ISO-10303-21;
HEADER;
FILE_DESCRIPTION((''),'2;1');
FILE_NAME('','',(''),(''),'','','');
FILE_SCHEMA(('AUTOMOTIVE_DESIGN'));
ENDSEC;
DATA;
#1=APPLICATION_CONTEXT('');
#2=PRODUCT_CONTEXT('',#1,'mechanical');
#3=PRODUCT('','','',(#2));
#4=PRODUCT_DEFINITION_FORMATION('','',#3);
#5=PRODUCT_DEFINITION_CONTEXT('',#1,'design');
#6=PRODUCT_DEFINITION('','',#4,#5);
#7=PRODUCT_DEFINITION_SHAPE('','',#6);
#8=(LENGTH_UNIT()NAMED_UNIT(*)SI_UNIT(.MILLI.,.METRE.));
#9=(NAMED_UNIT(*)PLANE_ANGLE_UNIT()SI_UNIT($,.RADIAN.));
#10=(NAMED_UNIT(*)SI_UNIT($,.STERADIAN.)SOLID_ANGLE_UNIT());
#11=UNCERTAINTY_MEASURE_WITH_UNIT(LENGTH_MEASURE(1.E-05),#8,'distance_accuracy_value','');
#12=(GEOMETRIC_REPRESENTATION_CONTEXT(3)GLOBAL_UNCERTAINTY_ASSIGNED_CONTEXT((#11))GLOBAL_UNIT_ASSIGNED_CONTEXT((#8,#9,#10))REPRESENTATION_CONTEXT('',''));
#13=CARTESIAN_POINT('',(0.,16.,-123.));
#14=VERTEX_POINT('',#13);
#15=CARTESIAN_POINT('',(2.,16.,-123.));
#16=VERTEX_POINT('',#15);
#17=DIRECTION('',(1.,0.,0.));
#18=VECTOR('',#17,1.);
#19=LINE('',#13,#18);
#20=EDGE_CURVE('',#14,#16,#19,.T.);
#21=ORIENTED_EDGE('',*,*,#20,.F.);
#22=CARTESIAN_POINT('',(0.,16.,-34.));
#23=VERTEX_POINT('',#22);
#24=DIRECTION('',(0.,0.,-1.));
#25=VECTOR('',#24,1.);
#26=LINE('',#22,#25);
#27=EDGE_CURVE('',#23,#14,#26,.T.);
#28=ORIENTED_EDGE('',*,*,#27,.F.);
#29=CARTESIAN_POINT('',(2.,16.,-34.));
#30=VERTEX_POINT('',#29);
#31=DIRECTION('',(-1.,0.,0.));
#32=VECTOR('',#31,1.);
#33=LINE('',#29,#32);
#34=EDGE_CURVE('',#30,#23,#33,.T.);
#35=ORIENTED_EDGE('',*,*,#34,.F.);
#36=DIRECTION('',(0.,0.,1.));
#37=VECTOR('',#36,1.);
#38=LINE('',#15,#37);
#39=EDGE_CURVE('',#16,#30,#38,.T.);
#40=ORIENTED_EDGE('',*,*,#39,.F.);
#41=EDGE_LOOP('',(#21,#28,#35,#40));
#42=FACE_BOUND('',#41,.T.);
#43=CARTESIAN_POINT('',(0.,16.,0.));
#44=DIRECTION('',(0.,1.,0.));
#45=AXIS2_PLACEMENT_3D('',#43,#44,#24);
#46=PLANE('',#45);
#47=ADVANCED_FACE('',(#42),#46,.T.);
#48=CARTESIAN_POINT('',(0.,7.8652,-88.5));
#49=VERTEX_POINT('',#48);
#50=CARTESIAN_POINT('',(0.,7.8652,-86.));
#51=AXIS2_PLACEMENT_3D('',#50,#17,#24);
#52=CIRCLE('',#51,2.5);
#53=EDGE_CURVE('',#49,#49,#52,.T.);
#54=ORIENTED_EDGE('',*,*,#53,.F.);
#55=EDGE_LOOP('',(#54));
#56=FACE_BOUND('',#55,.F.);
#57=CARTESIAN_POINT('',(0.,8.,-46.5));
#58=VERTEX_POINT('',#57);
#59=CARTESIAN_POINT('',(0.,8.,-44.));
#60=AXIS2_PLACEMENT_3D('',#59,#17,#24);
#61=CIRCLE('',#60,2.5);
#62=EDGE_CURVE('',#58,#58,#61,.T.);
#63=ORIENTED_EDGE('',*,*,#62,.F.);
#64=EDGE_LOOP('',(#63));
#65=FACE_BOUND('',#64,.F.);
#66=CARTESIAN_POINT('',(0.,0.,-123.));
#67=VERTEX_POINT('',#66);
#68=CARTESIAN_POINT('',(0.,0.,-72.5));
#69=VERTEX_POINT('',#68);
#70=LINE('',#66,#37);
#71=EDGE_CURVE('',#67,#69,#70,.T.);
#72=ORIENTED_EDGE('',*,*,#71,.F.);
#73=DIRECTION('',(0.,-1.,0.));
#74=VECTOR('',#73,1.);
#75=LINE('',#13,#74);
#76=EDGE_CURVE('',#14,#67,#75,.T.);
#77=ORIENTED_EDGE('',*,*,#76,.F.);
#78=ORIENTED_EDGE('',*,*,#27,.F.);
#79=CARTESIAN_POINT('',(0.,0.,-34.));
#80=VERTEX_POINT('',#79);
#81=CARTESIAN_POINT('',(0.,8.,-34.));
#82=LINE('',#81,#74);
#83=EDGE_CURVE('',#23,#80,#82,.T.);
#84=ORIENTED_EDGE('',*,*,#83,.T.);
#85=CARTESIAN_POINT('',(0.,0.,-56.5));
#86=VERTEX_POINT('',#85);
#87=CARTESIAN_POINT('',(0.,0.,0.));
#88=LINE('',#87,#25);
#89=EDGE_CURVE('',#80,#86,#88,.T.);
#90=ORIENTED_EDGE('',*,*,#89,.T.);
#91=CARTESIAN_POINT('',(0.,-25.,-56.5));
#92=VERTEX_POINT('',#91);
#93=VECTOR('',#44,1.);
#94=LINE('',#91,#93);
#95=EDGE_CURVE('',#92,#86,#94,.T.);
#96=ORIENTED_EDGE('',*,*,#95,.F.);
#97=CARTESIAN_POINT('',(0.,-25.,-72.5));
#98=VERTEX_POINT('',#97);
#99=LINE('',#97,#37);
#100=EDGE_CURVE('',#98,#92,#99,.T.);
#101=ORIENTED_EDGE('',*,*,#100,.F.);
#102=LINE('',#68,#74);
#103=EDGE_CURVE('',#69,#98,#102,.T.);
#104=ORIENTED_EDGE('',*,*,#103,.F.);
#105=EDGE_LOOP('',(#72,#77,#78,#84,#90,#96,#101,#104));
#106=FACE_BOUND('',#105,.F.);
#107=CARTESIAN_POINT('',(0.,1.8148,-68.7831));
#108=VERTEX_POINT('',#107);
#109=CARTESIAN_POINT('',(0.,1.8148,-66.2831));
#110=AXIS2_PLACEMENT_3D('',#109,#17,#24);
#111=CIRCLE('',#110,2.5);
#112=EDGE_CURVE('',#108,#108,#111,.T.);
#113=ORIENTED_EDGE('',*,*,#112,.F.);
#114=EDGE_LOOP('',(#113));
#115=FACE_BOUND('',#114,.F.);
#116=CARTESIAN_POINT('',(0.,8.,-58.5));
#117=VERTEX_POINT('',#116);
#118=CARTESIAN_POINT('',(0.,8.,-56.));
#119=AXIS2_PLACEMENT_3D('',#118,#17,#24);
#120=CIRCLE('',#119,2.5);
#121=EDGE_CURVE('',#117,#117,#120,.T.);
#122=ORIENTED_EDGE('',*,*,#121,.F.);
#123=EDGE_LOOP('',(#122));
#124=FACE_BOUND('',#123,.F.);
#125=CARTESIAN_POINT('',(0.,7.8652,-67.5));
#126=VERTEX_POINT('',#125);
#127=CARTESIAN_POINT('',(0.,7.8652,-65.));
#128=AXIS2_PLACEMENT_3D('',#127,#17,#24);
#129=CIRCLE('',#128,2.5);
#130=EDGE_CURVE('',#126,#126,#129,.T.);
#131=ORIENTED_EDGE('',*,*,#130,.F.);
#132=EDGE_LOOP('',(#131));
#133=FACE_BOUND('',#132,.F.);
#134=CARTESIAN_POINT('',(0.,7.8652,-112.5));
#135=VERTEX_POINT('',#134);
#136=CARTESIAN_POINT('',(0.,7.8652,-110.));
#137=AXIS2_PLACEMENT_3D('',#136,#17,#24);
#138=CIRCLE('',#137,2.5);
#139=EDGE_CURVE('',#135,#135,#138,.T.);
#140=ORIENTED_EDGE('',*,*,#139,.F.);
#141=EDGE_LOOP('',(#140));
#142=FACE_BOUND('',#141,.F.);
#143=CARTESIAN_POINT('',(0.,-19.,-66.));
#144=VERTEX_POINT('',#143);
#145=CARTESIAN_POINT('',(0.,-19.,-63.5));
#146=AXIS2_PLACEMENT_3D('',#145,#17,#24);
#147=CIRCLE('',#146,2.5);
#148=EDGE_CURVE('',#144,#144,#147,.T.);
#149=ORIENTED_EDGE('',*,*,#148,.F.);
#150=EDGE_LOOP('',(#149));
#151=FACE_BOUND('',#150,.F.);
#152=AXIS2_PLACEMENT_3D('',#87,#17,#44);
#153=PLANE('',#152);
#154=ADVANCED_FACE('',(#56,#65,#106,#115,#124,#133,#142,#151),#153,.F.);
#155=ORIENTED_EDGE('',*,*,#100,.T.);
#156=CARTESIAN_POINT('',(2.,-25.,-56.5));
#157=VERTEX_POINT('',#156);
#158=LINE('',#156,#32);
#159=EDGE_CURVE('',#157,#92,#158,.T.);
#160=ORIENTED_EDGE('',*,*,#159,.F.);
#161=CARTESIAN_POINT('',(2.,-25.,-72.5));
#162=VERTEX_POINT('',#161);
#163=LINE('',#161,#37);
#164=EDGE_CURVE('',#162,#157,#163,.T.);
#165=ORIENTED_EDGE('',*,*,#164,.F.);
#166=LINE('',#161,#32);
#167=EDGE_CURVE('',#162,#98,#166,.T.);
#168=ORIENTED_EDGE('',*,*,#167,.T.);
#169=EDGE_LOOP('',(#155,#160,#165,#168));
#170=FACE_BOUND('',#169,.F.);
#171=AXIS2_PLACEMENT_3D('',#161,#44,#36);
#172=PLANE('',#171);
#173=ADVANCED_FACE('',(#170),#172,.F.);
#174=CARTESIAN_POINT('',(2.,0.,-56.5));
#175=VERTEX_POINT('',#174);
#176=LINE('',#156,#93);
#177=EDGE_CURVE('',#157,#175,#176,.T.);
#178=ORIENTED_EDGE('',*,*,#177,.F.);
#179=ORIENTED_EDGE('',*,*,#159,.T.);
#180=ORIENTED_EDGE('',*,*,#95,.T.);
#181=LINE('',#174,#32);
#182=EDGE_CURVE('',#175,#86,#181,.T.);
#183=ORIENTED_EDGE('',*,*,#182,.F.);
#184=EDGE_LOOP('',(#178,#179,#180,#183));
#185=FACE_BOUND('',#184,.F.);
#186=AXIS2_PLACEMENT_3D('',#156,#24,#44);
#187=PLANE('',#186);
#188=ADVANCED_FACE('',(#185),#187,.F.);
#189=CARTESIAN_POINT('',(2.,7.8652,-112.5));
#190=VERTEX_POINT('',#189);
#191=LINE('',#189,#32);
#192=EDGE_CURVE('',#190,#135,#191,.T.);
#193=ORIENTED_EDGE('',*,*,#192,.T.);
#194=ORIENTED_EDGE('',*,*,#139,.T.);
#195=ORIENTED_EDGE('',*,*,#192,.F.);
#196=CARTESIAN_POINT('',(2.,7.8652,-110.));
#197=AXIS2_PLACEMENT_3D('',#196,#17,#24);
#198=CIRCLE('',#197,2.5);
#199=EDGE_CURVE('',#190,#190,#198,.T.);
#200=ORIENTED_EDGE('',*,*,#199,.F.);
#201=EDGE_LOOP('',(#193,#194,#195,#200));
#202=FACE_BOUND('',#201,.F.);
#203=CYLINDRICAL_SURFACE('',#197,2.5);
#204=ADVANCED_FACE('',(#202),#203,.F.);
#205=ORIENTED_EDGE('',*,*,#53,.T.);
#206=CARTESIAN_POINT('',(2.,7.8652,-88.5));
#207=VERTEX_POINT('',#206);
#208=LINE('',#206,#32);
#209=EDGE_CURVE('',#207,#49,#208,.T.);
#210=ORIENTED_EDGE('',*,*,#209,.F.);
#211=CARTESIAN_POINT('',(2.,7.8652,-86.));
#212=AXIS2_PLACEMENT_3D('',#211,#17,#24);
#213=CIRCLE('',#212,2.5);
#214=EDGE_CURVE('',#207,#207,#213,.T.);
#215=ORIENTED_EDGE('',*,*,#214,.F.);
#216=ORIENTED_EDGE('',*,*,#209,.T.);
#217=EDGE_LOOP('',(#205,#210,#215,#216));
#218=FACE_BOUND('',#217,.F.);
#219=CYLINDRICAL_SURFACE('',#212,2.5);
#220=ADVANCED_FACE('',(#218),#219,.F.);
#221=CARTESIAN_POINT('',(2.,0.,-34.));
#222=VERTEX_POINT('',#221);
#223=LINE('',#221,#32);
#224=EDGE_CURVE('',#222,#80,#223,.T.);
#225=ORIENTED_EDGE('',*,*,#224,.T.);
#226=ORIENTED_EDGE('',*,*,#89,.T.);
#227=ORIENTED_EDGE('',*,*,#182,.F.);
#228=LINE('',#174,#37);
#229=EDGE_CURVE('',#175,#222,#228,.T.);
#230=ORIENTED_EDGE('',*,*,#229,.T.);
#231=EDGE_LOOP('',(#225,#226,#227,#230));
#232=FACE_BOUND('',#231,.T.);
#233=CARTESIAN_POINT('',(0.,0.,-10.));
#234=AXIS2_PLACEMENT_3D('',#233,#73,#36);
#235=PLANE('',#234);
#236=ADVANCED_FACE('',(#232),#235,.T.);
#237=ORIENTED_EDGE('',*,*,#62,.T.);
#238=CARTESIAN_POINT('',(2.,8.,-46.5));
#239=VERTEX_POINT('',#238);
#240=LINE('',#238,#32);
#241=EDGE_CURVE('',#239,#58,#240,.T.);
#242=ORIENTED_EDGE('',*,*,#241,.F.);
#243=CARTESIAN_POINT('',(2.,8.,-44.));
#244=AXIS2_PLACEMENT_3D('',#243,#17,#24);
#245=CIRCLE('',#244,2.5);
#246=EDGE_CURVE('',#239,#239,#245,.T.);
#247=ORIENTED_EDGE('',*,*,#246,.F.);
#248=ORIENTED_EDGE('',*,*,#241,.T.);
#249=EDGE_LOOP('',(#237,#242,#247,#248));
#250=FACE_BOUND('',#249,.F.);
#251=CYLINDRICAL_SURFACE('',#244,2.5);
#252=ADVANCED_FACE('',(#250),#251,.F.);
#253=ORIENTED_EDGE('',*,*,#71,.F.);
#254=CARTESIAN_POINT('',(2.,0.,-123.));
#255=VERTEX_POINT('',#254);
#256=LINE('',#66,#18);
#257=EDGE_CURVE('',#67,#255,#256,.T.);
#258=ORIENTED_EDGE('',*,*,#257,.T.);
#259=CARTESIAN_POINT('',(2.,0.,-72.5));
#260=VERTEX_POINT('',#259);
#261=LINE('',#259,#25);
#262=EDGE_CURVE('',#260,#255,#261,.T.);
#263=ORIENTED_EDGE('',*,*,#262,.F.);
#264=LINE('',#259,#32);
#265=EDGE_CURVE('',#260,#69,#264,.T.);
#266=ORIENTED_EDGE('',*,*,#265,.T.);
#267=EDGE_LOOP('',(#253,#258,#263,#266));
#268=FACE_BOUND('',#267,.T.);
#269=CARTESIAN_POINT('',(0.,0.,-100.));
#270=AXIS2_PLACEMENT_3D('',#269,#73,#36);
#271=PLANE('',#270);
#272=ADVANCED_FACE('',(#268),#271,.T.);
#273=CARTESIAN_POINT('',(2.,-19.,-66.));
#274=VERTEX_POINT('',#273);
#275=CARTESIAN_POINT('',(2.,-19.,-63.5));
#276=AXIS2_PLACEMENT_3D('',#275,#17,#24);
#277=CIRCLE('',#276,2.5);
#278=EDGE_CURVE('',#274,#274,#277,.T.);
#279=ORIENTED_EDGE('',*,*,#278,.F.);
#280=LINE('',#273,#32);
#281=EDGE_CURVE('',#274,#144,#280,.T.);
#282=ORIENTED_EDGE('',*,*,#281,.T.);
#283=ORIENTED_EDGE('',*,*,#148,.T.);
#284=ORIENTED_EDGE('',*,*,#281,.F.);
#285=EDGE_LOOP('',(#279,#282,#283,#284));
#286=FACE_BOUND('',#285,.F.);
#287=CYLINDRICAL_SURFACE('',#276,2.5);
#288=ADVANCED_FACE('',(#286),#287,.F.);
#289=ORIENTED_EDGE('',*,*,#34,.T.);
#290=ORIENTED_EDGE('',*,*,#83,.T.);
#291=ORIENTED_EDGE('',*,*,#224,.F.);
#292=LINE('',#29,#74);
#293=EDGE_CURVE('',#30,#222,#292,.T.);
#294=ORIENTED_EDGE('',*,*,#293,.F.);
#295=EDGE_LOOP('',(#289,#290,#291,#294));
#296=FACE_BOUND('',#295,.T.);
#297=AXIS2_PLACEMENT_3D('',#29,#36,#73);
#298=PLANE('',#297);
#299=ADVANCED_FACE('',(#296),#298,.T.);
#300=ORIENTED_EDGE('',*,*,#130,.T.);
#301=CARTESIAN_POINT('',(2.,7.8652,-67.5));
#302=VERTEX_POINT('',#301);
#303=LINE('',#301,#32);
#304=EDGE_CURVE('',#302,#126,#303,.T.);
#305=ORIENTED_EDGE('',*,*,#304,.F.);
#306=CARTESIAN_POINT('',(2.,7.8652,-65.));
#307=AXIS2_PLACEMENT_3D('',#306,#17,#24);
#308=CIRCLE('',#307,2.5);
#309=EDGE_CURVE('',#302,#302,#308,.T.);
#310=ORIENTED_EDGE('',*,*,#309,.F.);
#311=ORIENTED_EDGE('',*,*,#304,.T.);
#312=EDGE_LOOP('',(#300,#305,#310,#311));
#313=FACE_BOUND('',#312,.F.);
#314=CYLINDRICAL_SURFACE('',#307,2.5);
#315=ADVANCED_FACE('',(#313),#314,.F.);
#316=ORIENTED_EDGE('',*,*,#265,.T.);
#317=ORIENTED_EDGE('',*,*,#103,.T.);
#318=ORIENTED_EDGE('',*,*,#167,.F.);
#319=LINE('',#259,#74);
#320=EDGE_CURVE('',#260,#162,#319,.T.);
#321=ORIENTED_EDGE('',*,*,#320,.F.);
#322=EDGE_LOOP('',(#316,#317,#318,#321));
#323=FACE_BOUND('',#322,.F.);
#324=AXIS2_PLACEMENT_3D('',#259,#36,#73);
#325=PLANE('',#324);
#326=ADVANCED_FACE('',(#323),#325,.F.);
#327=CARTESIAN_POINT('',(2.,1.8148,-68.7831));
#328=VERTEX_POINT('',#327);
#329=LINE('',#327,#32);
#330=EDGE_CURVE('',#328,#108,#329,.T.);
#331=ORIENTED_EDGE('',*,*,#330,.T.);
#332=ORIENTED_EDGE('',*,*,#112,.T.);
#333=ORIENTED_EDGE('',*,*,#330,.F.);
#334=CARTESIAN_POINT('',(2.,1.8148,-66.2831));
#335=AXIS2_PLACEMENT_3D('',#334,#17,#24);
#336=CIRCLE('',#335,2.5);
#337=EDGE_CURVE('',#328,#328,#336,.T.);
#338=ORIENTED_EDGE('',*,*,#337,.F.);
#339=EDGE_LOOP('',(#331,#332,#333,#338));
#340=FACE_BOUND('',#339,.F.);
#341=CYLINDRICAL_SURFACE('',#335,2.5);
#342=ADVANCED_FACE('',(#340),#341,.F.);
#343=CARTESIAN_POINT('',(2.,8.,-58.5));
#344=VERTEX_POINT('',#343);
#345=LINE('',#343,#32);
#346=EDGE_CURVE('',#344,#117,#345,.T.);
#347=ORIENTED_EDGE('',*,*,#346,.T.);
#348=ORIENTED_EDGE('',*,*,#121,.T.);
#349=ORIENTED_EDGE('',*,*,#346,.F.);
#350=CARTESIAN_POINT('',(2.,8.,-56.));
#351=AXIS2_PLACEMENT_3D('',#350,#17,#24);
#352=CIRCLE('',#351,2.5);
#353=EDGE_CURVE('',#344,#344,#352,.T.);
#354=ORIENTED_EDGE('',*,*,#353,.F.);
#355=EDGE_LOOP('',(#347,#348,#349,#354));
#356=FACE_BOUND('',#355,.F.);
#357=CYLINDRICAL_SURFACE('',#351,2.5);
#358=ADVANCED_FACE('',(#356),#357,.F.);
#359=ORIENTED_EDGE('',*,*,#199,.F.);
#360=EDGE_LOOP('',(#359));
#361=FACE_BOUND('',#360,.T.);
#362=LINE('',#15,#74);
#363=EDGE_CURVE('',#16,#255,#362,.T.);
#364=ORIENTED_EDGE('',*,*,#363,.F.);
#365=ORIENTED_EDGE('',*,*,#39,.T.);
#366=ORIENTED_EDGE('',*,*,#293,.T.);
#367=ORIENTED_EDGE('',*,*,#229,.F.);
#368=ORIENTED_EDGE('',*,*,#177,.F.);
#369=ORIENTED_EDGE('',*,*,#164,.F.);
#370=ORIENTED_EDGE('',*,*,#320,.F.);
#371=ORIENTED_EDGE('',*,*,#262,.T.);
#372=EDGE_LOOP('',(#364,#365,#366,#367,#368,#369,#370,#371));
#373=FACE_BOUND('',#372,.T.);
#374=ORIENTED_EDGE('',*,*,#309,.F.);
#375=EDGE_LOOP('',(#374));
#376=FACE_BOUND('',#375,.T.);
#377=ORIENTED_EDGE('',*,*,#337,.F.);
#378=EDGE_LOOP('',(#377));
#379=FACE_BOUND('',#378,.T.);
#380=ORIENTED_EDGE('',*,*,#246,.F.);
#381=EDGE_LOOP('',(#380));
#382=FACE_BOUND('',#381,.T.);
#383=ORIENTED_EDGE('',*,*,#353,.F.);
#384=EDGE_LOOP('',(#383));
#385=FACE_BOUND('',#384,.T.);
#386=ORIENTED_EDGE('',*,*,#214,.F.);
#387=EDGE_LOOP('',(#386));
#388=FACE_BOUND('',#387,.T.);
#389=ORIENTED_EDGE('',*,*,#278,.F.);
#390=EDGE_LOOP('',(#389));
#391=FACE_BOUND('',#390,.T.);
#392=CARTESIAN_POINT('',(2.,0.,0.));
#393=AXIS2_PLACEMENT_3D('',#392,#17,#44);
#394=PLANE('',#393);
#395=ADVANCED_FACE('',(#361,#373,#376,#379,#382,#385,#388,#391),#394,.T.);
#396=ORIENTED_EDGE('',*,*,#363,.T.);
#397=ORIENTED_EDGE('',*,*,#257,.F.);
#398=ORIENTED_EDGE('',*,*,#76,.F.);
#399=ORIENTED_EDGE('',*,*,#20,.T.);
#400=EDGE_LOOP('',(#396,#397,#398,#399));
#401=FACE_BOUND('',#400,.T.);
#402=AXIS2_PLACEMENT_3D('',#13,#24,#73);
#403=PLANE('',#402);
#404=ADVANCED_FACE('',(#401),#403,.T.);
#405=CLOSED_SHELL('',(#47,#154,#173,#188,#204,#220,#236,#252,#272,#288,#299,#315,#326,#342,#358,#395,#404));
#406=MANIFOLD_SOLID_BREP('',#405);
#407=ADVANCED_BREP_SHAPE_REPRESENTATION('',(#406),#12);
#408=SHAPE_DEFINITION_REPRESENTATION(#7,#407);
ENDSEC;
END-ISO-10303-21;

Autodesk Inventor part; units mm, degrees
ref_plane "YZ Plane" through (0, 0, 0) normal (1, 0, 0) x (0, 1, 0)
ref_plane "XZ Plane" through (0, 0, 0) normal (0, 1, 0) x (-1, 0, 0)
ref_plane "XY Plane" through (0, 0, 0) normal (0, 0, 1) x (1, 0, 0)
sketch "Sketch1" plane through (0, 0, 0) normal (1, 0, 0) x (0, 1, 0)
  line L0 (0, 0) -> (16, 0)
  line L1 (16, 0) -> (16, -100)
  line L2 (16, -100) -> (0, -100)
  line L3 (0, -10) -> (0, -10)
  line L4 (0, -10) -> (0, -25)
  line L5 (0, -25) -> (0, -25)
  line L6 (0, -90) -> (0, -90)
  line L7 (0, -90) -> (0, -75)
  line L8 (0, -75) -> (0, -75)
  line L9 (0, -10) -> (0, 0)
  line L10 (0, -100) -> (0, -90)
  line L11 (0, -75) -> (0, -25)
  dimension "d0" = 16
  dimension "d1" = 100
  dimension "d2" = 0
  dimension "d3" = 15
  dimension "d4" = 10
  dimension "d5" = 15
  dimension "d6" = 10
  dimension "d10" = 0
  dimension "d11" = 0
  dimension "d12" = 0
extrude "Extrusion1" add sketch "Sketch1" along normal blind 2
sketch "Sketch5" plane through (2, 0, 0) normal (1, 0, 0) x (0, 0, -1)
  line L0 (0, 0) -> (100, 0) projected
  circle A0 centre (63.5, -19) radius 2.5 projected
  line L1 (56.5, 0) -> (72.5, 0)
  line L2 (72.5, 0) -> (72.5, -25)
  line L3 (72.5, -25) -> (56.5, -25)
  line L4 (56.5, -25) -> (56.5, 0)
  circle A1 centre (66.2831, 1.8148) radius 2.5
  circle A2 centre (56, 8) radius 6 construction
  circle A3 centre (63.5, -19) radius 15 construction
  circle A4 centre (66.2831, 1.8148) radius 6 construction
  dimension "d44" = 16
  dimension "d45" = 25
  dimension "d46" = 9
  dimension "d52" = 5
  dimension "d56" = 12
  dimension "d57" = 30
  dimension "d58" = 12
extrude "Extrusion6" add sketch "Sketch5" against normal blind 2 contours L0 A1 L2 L3 L4 | L0 A1 picked at (65.8534, -0.1091)
sketch "Sketch7" plane through (2, 0, 0) normal (1, 0, 0) x (0, 0, -1)
  circle A0 centre (44, 8) radius 2.5 projected
  circle A1 centre (56, 8) radius 2.5 projected
  circle A2 centre (66.2831, 1.8148) radius 2.5 projected
  circle A3 centre (63.5, -19) radius 2.5 projected
  circle A4 centre (44, 8) radius 2.5
  circle A5 centre (56, 8) radius 2.5
  circle A6 centre (66.2831, 1.8148) radius 2.5
  circle A7 centre (63.5, -19) radius 2.5 projected
  circle A8 centre (63.5, -19) radius 2.5
  point P0 (0, 0)
  dimension "d59" = 5
  dimension "d60" = 5
  dimension "d61" = 5
  dimension "d62" = 5
extrude "Extrusion8" cut sketch "Sketch7" against normal blind 10 contours A0 | A1 | A2
sketch "Sketch8" plane through (2, 0, 0) normal (1, 0, 0) x (0, 0, -1)
  circle A0 centre (44, 8) radius 2.5 projected
  line L0 (0, 0) -> (56.5, 0) projected
  line L1 (0, 16) -> (0, 0) projected
  line L2 (100, 16) -> (0, 16) projected
  line L3 (56.5, 0) -> (0, 0) projected
  line L4 (34, 0) -> (0, 0)
  line L5 (0, 0) -> (0, 16)
  line L6 (0, 16) -> (34, 16)
  line L7 (34, 16) -> (34, 0)
  dimension "d65" = 10
extrude "Extrusion9" cut sketch "Sketch8" against normal blind 10 contours L1 L2 L7 L0
sketch "Sketch9" plane through (2, 0, 0) normal (1, 0, 0) x (0, 0, -1)
  circle A0 centre (56, 8) radius 2.5 projected
  circle A1 centre (66.2831, 1.8148) radius 2.5 projected
  circle A2 centre (65, 7.8652) radius 2.5
  circle A3 centre (86, 7.8652) radius 2.5
  circle A4 centre (44, 8) radius 2.5 projected
  point P0 (0, 0)
  dimension "d68" = 5
  dimension "d71" = 5
  dimension "d72" = 21
  dimension "d76" = 21
  dimension "d77" = 6.0505
  dimension "d78" = 6.0505
extrude "Extrusion10" cut sketch "Sketch9" against normal blind 10 contours A2 | A3
sketch "Sketch10" plane through (0, 0, 0) normal (-1, 0, 0) x (0, 0, 1)
  line L0 (-123.9658, 20.3206) -> (-103.1897, 17.2622) projected
  line L1 (-124.0249, -0.6793) -> (-123.9658, 20.3206) projected
  line L2 (-102.025, -0.7412) -> (-124.0249, -0.6793) projected
  line L3 (-102.025, -0.7412) -> (-101.9743, 17.2588) projected
  line L4 (-103.1897, 17.2622) -> (-101.9743, 17.2588) projected
  circle A0 centre (-65, 7.8652) radius 2.5 projected
  circle A1 centre (-86, 7.8652) radius 2.5 projected
  line L5 (-34, 0) -> (-34, 16) projected
  line L6 (-34, 16) -> (-100, 16) projected
  line L7 (-100, 16) -> (-100, 0) projected
  line L8 (-100, 0) -> (-72.5, 0) projected
  line L9 (-72.5, 0) -> (-72.5, -25) projected
  line L10 (-72.5, -25) -> (-56.5, -25) projected
  line L11 (-56.5, -25) -> (-56.5, 0) projected
  line L12 (-56.5, 0) -> (-34, 0) projected
  circle A2 centre (-63.5, -19) radius 2.5 projected
  circle A3 centre (-66.2831, 1.8148) radius 2.5 projected
  circle A4 centre (-44, 8) radius 2.5 projected
  circle A5 centre (-56, 8) radius 2.5 projected
  line L13 (-100, 16) -> (-123, 16)
  line L14 (-123, 16) -> (-123, 0)
  line L15 (-123, 0) -> (-100, 0)
  line L16 (-100, 0) -> (-100, 16)
  point P0 (0, 0)
  dimension "d79" = 23
extrude "Extrusion11" add sketch "Sketch10" against normal blind 2 contours L13 L7 L15 L3 | L3 L15 L14 L13
sketch "Sketch11" plane through (2, 0, 0) normal (1, 0, 0) x (0, 0, -1)
  circle A0 centre (110, 7.8652) radius 2.5 projected
  circle A1 centre (110, 7.8652) radius 2.5
  point P0 (0, 0)
  dimension "d82" = 5
extrude "Extrusion12" cut sketch "Sketch11" against normal blind 10
equation "\"d78\" = d77"
properties part number "Mounting_wall_3"
